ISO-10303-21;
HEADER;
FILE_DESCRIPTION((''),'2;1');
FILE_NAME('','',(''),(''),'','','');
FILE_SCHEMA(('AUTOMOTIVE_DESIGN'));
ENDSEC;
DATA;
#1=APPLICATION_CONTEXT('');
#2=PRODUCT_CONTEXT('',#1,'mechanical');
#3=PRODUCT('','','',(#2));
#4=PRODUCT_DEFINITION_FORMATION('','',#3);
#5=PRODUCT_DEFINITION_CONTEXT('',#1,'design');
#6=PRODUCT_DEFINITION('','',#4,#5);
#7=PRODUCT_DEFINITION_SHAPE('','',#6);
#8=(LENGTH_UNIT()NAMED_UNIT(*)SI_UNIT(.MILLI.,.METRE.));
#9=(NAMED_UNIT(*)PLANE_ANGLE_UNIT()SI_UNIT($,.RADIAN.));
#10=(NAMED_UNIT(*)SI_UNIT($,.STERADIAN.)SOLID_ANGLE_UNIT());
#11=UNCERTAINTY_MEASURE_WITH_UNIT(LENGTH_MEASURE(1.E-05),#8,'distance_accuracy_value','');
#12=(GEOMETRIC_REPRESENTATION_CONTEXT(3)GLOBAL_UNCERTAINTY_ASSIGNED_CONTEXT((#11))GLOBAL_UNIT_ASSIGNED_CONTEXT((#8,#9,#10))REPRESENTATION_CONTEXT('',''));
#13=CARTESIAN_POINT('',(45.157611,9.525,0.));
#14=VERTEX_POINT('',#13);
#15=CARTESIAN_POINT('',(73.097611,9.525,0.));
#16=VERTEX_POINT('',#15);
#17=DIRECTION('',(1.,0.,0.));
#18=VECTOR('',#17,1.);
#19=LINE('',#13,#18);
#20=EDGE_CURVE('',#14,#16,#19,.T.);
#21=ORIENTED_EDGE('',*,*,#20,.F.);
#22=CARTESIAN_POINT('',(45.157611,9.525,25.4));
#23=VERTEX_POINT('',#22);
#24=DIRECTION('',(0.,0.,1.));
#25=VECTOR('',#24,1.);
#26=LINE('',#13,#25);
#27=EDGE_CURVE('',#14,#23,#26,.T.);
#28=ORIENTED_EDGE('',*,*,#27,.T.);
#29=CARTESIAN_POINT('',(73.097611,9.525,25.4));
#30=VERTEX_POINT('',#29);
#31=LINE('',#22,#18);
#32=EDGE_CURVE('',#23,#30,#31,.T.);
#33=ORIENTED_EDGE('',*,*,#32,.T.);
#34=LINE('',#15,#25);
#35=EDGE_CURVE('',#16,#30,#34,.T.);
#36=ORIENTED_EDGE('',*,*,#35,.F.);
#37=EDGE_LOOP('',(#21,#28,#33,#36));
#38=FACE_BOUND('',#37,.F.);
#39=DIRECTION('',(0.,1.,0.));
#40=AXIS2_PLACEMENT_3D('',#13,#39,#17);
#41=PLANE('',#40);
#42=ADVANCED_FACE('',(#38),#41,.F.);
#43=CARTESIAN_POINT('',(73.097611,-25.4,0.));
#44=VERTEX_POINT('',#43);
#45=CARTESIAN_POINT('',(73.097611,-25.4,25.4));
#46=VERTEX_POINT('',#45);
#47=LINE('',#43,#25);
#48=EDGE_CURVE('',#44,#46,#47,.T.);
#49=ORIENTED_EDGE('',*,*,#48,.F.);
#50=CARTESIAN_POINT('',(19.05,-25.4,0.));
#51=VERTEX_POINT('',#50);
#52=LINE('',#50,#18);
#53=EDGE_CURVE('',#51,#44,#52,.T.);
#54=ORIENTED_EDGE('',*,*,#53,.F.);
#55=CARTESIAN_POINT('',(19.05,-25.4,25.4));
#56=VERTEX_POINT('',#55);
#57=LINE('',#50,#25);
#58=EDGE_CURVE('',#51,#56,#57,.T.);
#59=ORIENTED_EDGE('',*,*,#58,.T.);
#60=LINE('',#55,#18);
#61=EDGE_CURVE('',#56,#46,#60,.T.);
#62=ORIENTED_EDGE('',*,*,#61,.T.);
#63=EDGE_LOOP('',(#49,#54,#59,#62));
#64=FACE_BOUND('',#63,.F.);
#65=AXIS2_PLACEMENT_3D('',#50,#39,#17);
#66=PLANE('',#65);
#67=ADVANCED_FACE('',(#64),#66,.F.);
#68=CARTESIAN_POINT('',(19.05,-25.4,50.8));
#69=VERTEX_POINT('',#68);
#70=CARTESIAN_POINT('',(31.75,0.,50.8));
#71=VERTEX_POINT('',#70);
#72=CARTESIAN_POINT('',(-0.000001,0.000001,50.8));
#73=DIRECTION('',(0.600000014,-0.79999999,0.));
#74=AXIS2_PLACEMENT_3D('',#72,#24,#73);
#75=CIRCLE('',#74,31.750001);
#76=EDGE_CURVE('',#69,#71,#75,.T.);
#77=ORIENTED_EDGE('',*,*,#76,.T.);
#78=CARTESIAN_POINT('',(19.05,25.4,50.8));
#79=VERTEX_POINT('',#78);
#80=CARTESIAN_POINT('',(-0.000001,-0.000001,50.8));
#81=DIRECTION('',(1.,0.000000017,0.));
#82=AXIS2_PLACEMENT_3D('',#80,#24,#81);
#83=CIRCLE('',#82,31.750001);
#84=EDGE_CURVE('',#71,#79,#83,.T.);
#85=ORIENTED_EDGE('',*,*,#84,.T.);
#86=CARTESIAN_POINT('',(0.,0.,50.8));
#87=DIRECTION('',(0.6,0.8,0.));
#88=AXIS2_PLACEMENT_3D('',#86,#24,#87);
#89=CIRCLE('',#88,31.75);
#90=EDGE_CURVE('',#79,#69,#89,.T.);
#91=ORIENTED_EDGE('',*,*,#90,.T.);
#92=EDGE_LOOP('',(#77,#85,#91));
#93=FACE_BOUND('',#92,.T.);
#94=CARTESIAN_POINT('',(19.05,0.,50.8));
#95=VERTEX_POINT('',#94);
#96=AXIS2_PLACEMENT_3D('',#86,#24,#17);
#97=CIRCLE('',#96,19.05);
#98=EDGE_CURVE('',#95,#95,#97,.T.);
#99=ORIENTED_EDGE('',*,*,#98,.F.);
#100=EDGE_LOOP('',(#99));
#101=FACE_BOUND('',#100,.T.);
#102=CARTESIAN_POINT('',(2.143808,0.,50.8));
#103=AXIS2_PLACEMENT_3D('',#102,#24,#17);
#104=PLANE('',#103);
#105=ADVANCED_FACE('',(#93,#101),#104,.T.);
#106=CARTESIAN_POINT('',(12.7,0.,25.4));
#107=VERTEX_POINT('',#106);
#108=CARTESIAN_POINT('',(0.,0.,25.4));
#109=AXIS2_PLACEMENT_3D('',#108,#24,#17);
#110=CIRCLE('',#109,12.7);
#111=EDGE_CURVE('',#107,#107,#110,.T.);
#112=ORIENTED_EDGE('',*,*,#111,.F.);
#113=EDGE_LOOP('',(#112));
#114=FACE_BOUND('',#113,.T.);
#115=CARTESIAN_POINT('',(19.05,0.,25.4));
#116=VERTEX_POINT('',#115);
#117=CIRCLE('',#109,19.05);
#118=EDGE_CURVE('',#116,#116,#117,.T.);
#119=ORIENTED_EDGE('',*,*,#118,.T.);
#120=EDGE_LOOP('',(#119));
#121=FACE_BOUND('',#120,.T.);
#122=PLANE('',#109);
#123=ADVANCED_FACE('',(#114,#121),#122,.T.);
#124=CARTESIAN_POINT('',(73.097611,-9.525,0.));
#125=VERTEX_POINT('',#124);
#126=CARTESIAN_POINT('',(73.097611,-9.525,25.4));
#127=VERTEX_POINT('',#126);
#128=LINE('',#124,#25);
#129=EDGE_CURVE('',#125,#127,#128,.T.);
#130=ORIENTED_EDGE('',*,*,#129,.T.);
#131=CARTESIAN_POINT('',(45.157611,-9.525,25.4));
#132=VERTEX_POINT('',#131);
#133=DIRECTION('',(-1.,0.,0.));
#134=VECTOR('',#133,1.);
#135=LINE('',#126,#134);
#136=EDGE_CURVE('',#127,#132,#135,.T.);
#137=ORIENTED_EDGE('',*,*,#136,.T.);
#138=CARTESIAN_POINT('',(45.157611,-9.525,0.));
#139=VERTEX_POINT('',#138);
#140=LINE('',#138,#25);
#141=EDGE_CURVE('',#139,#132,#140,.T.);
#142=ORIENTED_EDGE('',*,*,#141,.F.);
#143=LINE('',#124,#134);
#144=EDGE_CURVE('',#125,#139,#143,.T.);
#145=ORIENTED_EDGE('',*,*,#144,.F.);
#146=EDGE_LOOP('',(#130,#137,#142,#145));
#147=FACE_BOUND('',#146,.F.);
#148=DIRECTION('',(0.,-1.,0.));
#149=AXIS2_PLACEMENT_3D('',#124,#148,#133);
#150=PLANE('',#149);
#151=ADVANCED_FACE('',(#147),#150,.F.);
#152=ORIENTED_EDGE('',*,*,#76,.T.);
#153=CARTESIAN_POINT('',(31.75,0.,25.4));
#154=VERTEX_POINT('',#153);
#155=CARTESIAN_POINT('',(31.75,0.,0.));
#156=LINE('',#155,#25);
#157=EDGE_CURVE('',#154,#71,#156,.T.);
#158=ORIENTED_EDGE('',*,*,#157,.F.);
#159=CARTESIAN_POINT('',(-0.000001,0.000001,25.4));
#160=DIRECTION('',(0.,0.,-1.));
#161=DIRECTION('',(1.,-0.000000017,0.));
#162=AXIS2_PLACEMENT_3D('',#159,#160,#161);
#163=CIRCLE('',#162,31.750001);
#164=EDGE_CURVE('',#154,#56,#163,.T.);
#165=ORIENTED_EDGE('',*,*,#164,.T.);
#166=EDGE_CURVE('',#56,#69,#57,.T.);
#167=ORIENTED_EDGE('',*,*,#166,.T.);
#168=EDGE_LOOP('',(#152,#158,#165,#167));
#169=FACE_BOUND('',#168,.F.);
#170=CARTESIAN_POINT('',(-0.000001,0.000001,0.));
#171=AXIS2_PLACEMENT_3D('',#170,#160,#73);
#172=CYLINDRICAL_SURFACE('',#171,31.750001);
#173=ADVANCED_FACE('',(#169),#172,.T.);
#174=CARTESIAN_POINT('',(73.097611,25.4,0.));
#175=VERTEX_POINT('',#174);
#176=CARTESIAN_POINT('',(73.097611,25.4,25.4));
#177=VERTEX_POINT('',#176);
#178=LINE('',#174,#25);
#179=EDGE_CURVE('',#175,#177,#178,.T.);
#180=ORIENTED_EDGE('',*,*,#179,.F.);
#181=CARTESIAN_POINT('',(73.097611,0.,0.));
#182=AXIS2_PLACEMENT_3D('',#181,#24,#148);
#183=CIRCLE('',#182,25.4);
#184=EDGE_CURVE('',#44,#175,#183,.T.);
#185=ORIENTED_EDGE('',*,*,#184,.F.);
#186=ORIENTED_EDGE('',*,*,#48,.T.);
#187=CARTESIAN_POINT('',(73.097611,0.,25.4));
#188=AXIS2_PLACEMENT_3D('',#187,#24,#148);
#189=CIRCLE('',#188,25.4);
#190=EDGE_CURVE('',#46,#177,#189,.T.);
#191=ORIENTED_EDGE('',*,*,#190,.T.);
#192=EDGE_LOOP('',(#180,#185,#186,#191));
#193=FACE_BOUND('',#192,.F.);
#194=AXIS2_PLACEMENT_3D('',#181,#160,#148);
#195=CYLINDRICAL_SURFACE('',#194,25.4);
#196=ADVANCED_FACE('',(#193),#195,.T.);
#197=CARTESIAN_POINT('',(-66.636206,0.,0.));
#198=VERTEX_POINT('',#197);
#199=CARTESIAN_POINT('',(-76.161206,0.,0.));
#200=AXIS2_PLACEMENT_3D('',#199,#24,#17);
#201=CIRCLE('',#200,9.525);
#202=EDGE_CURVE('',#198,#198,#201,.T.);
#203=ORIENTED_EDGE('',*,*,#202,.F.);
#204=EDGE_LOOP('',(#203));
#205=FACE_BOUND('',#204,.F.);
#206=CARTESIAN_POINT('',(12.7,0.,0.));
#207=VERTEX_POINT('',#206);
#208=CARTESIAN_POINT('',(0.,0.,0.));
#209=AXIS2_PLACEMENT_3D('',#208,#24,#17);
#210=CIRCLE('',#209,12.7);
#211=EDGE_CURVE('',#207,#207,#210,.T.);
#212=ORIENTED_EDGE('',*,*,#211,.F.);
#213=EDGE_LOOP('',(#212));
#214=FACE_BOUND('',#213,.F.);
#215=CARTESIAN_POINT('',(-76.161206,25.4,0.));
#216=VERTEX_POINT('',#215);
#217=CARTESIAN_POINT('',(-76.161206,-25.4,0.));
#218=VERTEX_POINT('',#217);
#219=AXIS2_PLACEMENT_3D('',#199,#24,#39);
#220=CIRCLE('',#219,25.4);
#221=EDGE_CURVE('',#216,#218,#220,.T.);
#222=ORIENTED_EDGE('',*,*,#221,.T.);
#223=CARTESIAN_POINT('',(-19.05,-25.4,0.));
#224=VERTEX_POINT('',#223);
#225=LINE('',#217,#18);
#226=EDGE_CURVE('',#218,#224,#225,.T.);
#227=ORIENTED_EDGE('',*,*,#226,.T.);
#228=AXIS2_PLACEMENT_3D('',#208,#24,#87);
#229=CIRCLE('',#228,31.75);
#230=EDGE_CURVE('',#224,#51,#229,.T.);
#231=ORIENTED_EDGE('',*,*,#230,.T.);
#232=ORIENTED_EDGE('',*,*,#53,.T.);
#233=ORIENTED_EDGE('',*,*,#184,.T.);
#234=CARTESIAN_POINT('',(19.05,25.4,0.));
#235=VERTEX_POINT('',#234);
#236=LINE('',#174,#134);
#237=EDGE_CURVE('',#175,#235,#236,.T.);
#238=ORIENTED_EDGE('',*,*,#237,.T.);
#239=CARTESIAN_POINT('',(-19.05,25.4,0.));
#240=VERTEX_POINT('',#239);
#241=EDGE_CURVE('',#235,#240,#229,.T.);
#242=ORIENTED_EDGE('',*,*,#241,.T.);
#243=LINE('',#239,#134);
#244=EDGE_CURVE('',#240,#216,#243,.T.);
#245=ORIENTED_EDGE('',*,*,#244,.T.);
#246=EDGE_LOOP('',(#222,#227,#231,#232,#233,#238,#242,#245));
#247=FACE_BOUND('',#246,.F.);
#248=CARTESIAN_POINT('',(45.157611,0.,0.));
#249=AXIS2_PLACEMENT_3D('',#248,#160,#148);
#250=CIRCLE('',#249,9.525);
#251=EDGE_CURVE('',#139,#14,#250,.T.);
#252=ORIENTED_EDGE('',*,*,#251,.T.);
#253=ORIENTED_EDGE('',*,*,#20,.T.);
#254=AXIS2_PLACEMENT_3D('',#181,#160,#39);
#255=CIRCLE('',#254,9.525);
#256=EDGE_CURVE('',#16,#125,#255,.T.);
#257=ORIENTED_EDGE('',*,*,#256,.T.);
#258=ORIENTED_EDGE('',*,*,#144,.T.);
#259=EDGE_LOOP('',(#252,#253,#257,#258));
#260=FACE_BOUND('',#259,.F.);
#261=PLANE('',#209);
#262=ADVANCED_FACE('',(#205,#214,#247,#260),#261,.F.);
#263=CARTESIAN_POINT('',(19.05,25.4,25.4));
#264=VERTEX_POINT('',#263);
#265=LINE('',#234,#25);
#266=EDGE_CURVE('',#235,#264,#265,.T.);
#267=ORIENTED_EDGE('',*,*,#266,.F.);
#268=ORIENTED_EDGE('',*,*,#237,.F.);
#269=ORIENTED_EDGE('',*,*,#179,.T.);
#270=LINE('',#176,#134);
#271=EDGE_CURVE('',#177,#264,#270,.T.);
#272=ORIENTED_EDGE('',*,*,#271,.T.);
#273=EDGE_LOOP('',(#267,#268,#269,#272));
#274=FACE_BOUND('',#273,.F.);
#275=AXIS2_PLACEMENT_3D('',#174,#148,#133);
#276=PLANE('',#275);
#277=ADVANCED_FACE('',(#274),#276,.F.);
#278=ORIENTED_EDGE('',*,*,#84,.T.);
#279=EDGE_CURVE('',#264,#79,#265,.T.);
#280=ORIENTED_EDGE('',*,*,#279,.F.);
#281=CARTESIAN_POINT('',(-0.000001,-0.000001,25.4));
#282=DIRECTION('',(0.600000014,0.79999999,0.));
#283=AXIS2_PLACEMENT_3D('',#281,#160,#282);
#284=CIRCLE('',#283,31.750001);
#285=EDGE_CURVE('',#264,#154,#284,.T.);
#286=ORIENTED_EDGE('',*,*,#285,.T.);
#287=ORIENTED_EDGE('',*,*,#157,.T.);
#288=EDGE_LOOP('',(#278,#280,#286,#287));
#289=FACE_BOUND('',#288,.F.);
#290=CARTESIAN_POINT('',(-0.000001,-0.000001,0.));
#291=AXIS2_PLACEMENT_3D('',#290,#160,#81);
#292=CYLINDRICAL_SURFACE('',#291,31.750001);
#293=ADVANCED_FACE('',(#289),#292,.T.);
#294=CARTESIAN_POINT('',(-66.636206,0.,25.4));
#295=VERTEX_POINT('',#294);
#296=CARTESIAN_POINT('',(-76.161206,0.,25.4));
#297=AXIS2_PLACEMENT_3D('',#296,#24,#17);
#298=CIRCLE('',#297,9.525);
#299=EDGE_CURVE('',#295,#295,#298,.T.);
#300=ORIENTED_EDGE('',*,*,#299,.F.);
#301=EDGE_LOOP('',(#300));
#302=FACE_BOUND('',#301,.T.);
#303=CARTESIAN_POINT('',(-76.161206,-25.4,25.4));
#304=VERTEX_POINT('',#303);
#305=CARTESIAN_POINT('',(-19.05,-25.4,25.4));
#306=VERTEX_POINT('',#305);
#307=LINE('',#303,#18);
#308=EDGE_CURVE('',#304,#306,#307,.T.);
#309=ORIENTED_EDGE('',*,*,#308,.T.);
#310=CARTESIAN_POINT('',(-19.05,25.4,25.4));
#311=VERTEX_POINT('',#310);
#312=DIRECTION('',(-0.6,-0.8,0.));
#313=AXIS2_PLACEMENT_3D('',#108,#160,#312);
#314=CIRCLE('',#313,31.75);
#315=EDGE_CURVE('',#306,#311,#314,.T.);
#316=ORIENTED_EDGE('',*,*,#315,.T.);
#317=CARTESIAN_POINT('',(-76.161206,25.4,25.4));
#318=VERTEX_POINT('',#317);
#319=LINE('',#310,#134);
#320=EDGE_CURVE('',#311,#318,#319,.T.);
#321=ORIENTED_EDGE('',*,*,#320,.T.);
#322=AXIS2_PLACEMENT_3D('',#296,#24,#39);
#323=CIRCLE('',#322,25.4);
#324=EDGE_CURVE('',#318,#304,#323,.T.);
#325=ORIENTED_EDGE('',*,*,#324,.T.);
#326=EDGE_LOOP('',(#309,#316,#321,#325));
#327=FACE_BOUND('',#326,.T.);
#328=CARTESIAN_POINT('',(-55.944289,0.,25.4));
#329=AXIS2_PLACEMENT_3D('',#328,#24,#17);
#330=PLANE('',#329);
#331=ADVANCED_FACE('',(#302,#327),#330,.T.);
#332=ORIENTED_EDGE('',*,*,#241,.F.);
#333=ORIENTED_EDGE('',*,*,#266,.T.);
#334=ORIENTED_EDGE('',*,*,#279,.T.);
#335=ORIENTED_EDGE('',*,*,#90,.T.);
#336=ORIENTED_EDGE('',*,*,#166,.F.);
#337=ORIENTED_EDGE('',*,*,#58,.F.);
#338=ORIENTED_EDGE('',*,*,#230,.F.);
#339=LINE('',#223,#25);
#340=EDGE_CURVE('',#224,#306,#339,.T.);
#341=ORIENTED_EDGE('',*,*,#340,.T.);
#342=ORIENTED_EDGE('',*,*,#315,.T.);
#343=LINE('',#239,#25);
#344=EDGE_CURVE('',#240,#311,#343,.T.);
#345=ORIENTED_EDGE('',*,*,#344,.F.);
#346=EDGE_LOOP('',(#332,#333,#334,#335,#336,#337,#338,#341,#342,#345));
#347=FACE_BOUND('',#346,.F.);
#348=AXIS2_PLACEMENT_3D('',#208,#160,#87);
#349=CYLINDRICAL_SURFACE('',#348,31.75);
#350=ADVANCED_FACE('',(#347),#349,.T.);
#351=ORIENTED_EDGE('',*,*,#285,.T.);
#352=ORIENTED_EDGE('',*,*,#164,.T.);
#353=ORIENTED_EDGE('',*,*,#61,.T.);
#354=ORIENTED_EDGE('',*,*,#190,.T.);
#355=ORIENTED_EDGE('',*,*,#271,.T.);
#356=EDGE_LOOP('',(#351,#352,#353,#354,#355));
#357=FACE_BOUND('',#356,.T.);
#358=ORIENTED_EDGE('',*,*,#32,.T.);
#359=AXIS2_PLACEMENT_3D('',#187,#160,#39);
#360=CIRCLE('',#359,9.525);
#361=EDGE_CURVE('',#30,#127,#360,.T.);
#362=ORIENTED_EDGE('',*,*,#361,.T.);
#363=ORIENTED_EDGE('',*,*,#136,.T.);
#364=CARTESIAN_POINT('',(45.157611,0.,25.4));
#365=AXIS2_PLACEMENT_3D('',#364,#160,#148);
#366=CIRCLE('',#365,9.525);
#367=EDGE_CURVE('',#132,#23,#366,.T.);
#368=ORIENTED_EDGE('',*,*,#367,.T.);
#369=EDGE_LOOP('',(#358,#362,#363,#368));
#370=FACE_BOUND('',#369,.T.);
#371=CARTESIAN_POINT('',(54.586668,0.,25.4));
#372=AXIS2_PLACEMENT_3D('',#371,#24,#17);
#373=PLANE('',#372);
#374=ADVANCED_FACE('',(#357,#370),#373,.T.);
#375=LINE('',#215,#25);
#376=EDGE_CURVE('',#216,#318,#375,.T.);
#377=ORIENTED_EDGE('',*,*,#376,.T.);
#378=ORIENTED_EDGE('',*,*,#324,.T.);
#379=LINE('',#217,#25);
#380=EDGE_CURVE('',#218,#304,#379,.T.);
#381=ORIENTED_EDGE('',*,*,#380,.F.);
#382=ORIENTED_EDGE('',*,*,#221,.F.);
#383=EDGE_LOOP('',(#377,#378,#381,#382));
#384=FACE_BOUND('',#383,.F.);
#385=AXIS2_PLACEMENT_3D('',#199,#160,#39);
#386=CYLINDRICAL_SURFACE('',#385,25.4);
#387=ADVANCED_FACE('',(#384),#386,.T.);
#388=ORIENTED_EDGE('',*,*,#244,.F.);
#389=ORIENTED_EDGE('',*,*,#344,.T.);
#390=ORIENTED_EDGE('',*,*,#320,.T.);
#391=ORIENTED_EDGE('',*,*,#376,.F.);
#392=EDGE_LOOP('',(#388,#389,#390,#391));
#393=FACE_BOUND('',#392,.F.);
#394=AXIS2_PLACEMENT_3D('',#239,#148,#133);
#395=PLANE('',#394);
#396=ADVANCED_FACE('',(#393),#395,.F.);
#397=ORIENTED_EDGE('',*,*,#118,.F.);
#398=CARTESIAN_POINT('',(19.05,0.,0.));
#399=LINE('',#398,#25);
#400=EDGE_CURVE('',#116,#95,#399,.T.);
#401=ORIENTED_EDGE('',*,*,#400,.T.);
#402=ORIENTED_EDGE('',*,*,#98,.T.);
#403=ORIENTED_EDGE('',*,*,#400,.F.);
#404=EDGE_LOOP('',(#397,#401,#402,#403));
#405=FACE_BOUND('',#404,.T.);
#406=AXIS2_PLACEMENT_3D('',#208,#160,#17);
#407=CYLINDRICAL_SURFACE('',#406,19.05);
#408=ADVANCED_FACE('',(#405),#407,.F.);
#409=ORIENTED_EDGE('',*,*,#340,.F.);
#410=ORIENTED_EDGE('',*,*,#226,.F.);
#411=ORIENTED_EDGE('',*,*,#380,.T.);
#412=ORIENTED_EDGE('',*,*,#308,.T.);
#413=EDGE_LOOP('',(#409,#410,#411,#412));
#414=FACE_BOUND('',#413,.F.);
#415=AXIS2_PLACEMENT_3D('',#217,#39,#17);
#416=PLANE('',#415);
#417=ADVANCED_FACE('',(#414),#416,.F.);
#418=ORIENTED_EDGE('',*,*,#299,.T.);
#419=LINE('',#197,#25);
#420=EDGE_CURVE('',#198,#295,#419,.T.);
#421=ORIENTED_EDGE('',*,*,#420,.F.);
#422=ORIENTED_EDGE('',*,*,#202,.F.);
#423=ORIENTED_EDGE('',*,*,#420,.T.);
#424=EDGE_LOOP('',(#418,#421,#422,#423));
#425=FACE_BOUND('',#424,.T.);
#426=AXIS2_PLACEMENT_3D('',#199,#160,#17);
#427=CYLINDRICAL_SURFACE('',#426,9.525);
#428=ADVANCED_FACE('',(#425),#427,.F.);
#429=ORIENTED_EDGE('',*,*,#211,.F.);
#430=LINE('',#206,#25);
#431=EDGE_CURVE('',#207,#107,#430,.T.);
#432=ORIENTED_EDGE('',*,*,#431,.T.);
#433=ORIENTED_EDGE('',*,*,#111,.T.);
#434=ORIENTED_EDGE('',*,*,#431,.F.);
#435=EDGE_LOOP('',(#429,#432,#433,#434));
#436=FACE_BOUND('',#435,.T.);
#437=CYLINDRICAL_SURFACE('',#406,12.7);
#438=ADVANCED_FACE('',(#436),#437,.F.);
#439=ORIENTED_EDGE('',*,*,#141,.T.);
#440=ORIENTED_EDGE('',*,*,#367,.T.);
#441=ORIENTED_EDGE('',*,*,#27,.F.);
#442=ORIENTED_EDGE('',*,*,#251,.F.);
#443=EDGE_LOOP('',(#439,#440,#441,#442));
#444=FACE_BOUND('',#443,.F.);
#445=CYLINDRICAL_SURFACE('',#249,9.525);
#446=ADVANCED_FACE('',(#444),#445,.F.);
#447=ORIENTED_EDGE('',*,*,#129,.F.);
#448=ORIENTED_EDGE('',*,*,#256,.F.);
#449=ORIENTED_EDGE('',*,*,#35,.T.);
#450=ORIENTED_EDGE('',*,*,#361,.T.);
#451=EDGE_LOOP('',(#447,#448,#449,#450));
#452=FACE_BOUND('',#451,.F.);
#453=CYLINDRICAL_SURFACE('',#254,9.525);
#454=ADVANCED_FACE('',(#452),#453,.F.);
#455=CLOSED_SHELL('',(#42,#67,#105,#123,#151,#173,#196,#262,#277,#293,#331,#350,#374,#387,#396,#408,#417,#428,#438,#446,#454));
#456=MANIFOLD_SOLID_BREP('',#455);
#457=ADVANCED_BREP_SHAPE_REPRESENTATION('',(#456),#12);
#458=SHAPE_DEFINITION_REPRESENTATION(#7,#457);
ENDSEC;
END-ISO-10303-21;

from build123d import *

# Parameters (mm, degrees)
F0_R     = 19.05
F1_DEPTH = 50.8
F0_R_2   = 9.525
F2_DEPTH = 25.4
F3_DEPTH = 25.4
F0_R_3   = 12.7
F4_DEPTH = 25.4


with BuildPart() as f1:
    # F0 (on Top) → F1 (new body)
    with BuildSketch(Plane.XY):
        with BuildLine():
            ThreePointArc((19.05, -25.4), (28.398063, -14.199032), (31.75, 0))
            ThreePointArc((31.75, 0), (28.398063, 14.199032), (19.05, 25.4))
            ThreePointArc((19.05, 25.4), (0, 31.75), (-19.05, 25.4))
            ThreePointArc((-19.05, 25.4), (-31.75, 0), (-19.05, -25.4))
            ThreePointArc((-19.05, -25.4), (0, -31.75), (19.05, -25.4))
        make_face()
        Circle(F0_R, mode=Mode.SUBTRACT)
    extrude(amount=F1_DEPTH)

    # F0 (on Top) → F2 (join)
    with BuildSketch(Plane.XY):
        with BuildLine():
            ThreePointArc((-19.05, -25.4), (-31.75, 0), (-19.05, 25.4))
            Line((-19.05, 25.4), (-76.161206, 25.4))
            ThreePointArc((-76.161206, 25.4), (-101.561206, 0), (-76.161206, -25.4))
            Line((-76.161206, -25.4), (-19.05, -25.4))
        make_face()
        with Locations((-76.161206, 0)):
            Circle(F0_R_2, mode=Mode.SUBTRACT)
    extrude(amount=F2_DEPTH)

    # F0 (on Top) → F3 (join)
    with BuildSketch(Plane.XY):
        with BuildLine():
            ThreePointArc((19.05, 25.4), (28.398063, 14.199032), (31.75, 0))
            ThreePointArc((31.75, 0), (28.398063, -14.199032), (19.05, -25.4))
            Line((19.05, -25.4), (73.097611, -25.4))
            ThreePointArc((73.097611, -25.4), (98.497611, 0), (73.097611, 25.4))
            Line((73.097611, 25.4), (19.05, 25.4))
        make_face()
        with BuildLine():
            ThreePointArc((73.097611, 9.525), (82.622611, 0), (73.097611, -9.525))
            Line((73.097611, -9.525), (45.157611, -9.525))
            ThreePointArc((45.157611, -9.525), (35.632611, 0), (45.157611, 9.525))
            Line((45.157611, 9.525), (73.097611, 9.525))
        make_face(mode=Mode.SUBTRACT)
    extrude(amount=F3_DEPTH)

    # F0 (on Top) → F4 (join)
    with BuildSketch(Plane.XY):
        Circle(F0_R)
        Circle(F0_R_3, mode=Mode.SUBTRACT)
    extrude(amount=F4_DEPTH)


solid = f1.part
